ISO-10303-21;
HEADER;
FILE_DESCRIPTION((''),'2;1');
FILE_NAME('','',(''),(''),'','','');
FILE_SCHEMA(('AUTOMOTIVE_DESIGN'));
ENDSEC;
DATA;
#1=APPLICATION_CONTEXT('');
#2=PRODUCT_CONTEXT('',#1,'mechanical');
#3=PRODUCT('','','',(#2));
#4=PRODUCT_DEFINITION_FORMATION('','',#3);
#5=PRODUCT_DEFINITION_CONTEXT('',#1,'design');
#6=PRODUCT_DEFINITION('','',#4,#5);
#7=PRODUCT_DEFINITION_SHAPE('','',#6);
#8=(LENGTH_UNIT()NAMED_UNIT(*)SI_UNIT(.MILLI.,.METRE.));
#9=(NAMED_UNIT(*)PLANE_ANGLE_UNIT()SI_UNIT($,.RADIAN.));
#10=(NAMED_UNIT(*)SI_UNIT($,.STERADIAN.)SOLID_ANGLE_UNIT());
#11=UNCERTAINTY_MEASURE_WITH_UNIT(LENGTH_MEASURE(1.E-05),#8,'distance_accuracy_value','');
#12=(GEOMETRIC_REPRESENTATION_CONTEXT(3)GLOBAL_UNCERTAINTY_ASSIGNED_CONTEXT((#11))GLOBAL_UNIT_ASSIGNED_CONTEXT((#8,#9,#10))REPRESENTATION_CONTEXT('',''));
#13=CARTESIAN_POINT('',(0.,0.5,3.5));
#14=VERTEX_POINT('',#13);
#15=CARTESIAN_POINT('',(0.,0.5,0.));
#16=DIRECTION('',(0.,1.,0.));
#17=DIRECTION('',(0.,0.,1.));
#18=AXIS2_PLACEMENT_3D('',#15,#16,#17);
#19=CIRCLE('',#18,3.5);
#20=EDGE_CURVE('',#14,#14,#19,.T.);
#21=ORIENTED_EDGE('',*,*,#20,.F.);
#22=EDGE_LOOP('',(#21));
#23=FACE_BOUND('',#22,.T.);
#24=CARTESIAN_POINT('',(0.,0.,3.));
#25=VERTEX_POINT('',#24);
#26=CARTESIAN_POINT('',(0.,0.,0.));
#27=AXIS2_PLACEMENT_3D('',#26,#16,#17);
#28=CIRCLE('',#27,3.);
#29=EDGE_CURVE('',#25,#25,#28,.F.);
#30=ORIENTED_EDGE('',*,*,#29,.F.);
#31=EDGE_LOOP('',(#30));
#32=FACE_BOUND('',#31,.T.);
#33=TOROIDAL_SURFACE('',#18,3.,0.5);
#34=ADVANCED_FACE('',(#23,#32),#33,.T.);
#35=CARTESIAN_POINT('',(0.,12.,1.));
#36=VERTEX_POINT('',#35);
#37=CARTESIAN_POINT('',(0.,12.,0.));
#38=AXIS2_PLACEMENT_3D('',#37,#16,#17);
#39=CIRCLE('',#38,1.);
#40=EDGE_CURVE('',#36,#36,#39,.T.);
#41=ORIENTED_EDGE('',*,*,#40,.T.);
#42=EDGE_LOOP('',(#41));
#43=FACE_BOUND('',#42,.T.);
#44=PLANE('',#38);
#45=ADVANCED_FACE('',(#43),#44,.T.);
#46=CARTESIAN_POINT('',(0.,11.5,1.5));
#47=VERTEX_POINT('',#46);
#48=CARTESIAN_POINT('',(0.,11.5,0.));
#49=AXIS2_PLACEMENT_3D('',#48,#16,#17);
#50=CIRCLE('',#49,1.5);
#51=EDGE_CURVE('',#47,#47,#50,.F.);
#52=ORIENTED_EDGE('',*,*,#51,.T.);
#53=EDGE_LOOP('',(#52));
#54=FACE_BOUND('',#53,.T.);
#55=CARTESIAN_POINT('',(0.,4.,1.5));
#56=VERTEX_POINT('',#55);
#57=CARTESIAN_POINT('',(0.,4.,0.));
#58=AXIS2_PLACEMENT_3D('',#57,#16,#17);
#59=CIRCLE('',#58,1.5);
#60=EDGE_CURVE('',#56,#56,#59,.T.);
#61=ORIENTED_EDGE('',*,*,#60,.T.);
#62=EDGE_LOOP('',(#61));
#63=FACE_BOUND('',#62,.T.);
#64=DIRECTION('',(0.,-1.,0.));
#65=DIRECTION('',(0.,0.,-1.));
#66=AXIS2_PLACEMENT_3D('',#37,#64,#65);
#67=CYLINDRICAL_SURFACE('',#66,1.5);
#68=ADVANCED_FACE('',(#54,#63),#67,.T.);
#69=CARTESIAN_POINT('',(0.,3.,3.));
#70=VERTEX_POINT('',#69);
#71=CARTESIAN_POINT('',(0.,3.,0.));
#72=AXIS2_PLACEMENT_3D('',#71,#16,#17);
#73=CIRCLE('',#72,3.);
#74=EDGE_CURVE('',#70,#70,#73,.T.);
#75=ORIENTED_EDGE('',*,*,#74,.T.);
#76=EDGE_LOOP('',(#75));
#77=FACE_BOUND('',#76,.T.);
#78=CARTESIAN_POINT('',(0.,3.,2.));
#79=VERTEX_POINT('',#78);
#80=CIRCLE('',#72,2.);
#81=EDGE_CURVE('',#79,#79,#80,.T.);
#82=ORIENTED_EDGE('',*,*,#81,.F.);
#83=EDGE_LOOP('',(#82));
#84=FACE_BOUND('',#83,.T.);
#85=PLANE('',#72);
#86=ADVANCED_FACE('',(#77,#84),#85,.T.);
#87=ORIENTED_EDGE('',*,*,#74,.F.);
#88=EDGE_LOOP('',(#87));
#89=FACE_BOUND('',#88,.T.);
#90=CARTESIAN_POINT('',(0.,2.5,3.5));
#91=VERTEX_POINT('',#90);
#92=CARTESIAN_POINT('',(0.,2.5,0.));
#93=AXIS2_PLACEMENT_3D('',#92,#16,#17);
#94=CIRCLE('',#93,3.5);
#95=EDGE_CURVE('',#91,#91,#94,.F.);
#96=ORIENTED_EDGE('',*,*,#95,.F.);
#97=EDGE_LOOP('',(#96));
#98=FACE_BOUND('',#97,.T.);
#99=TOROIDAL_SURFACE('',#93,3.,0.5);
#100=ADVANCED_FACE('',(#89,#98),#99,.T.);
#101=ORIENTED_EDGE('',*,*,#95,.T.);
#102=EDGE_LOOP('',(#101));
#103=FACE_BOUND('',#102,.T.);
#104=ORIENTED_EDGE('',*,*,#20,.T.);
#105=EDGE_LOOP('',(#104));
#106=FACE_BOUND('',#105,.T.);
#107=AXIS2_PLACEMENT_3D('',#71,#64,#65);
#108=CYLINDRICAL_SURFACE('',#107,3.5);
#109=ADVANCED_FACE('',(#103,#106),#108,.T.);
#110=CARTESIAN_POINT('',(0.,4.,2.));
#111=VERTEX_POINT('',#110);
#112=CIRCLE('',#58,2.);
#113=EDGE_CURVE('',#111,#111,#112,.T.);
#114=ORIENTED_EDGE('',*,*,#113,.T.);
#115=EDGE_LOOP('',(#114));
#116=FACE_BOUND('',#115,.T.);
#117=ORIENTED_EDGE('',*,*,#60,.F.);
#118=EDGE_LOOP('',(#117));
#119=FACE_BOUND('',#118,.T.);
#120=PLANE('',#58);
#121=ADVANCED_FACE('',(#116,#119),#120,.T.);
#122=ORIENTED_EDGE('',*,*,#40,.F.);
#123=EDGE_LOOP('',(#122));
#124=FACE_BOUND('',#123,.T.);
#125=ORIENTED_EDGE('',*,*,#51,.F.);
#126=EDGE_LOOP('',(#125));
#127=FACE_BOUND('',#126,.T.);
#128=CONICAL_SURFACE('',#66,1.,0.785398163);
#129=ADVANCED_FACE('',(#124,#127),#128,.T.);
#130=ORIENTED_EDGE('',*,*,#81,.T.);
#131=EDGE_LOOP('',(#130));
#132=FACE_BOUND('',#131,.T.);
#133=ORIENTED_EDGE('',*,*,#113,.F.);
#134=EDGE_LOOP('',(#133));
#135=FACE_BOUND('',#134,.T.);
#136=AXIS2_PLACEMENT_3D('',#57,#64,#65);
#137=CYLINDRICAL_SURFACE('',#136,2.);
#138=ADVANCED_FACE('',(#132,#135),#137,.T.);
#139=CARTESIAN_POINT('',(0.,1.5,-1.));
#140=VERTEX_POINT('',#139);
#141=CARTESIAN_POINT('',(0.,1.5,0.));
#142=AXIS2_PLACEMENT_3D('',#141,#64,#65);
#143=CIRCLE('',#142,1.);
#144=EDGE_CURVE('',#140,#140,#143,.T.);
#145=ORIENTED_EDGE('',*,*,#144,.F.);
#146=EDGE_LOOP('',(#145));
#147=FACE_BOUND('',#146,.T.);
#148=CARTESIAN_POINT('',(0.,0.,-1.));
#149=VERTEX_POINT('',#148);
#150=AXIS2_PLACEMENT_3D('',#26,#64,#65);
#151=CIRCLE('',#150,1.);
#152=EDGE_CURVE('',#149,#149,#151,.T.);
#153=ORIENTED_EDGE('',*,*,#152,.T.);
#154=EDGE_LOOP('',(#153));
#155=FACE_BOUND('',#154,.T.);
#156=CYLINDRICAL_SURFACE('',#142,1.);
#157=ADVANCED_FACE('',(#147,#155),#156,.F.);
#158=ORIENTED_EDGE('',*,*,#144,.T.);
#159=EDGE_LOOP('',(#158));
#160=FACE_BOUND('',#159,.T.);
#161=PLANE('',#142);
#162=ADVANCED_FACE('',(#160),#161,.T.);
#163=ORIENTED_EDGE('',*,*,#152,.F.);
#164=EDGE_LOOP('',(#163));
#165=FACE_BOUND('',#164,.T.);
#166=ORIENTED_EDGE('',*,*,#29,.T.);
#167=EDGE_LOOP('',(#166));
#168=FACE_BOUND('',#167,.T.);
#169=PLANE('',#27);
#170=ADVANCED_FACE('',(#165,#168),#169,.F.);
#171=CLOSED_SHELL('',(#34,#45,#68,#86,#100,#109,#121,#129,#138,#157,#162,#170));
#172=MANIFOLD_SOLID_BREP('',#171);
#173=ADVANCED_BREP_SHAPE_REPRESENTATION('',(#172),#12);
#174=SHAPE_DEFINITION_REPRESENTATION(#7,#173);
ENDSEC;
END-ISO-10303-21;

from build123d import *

# Parameters (mm, degrees)
SKETCH_1_R          = 3.5
EXTRUDE_1_DEPTH     = 3
SKETCH_2_R          = 2
EXTRUDE_2_DEPTH     = 1
SKETCH_3_R          = 1.5
EXTRUDE_3_DEPTH     = 8
SKETCH_4_R          = 1
CUT_EXTRUDE_1_DEPTH = 1.5
FILLET_1_R          = 0.5
CHAMFER_1_SIZE      = 0.5


with BuildPart() as part:
    # 草图1 → 凸台-拉伸1 (new body)
    with BuildSketch(Plane(origin=(0, 0, 0), x_dir=(1, 0, 0), z_dir=(0, 1, 0))):
        with Locations(Location((0, 0, 0), (0, 0, 270))):
            Circle(SKETCH_1_R)
    extrude(amount=EXTRUDE_1_DEPTH)

    # 草图2 → 凸台-拉伸2 (add)
    with BuildSketch(Plane(origin=(0, 3, 0), x_dir=(1, 0, 0), z_dir=(0, 1, 0))):
        with Locations(Location((0, 0, 0), (0, 0, 270))):
            Circle(SKETCH_2_R)
    extrude(amount=EXTRUDE_2_DEPTH)

    # 草图3 → 凸台-拉伸3 (add)
    with BuildSketch(Plane(origin=(0, 4, 0), x_dir=(1, 0, 0), z_dir=(0, 1, 0))):
        with Locations(Location((0, 0, 0), (0, 0, 270))):
            Circle(SKETCH_3_R)
    extrude(amount=EXTRUDE_3_DEPTH)

    # 草图4 → 切除-拉伸1 (cut)
    with BuildSketch(Plane.XZ):
        with Locations(Location((0, 0, 0), (0, 0, 270))):
            Circle(SKETCH_4_R)
    extrude(amount=-CUT_EXTRUDE_1_DEPTH, mode=Mode.SUBTRACT)

    # 圆角1
    fillet_1_edges = [part.edges().sort_by_distance(p)[0] for p in [
        (0, 0, -3.5),
        (0, 3, -3.5),
    ]]
    fillet(fillet_1_edges, radius=FILLET_1_R)

    # 倒角1
    chamfer_1_edges = [part.edges().sort_by_distance(p)[0] for p in [
        (0, 12, -1.5),
    ]]
    chamfer(chamfer_1_edges, length=CHAMFER_1_SIZE)


solid = part.part
